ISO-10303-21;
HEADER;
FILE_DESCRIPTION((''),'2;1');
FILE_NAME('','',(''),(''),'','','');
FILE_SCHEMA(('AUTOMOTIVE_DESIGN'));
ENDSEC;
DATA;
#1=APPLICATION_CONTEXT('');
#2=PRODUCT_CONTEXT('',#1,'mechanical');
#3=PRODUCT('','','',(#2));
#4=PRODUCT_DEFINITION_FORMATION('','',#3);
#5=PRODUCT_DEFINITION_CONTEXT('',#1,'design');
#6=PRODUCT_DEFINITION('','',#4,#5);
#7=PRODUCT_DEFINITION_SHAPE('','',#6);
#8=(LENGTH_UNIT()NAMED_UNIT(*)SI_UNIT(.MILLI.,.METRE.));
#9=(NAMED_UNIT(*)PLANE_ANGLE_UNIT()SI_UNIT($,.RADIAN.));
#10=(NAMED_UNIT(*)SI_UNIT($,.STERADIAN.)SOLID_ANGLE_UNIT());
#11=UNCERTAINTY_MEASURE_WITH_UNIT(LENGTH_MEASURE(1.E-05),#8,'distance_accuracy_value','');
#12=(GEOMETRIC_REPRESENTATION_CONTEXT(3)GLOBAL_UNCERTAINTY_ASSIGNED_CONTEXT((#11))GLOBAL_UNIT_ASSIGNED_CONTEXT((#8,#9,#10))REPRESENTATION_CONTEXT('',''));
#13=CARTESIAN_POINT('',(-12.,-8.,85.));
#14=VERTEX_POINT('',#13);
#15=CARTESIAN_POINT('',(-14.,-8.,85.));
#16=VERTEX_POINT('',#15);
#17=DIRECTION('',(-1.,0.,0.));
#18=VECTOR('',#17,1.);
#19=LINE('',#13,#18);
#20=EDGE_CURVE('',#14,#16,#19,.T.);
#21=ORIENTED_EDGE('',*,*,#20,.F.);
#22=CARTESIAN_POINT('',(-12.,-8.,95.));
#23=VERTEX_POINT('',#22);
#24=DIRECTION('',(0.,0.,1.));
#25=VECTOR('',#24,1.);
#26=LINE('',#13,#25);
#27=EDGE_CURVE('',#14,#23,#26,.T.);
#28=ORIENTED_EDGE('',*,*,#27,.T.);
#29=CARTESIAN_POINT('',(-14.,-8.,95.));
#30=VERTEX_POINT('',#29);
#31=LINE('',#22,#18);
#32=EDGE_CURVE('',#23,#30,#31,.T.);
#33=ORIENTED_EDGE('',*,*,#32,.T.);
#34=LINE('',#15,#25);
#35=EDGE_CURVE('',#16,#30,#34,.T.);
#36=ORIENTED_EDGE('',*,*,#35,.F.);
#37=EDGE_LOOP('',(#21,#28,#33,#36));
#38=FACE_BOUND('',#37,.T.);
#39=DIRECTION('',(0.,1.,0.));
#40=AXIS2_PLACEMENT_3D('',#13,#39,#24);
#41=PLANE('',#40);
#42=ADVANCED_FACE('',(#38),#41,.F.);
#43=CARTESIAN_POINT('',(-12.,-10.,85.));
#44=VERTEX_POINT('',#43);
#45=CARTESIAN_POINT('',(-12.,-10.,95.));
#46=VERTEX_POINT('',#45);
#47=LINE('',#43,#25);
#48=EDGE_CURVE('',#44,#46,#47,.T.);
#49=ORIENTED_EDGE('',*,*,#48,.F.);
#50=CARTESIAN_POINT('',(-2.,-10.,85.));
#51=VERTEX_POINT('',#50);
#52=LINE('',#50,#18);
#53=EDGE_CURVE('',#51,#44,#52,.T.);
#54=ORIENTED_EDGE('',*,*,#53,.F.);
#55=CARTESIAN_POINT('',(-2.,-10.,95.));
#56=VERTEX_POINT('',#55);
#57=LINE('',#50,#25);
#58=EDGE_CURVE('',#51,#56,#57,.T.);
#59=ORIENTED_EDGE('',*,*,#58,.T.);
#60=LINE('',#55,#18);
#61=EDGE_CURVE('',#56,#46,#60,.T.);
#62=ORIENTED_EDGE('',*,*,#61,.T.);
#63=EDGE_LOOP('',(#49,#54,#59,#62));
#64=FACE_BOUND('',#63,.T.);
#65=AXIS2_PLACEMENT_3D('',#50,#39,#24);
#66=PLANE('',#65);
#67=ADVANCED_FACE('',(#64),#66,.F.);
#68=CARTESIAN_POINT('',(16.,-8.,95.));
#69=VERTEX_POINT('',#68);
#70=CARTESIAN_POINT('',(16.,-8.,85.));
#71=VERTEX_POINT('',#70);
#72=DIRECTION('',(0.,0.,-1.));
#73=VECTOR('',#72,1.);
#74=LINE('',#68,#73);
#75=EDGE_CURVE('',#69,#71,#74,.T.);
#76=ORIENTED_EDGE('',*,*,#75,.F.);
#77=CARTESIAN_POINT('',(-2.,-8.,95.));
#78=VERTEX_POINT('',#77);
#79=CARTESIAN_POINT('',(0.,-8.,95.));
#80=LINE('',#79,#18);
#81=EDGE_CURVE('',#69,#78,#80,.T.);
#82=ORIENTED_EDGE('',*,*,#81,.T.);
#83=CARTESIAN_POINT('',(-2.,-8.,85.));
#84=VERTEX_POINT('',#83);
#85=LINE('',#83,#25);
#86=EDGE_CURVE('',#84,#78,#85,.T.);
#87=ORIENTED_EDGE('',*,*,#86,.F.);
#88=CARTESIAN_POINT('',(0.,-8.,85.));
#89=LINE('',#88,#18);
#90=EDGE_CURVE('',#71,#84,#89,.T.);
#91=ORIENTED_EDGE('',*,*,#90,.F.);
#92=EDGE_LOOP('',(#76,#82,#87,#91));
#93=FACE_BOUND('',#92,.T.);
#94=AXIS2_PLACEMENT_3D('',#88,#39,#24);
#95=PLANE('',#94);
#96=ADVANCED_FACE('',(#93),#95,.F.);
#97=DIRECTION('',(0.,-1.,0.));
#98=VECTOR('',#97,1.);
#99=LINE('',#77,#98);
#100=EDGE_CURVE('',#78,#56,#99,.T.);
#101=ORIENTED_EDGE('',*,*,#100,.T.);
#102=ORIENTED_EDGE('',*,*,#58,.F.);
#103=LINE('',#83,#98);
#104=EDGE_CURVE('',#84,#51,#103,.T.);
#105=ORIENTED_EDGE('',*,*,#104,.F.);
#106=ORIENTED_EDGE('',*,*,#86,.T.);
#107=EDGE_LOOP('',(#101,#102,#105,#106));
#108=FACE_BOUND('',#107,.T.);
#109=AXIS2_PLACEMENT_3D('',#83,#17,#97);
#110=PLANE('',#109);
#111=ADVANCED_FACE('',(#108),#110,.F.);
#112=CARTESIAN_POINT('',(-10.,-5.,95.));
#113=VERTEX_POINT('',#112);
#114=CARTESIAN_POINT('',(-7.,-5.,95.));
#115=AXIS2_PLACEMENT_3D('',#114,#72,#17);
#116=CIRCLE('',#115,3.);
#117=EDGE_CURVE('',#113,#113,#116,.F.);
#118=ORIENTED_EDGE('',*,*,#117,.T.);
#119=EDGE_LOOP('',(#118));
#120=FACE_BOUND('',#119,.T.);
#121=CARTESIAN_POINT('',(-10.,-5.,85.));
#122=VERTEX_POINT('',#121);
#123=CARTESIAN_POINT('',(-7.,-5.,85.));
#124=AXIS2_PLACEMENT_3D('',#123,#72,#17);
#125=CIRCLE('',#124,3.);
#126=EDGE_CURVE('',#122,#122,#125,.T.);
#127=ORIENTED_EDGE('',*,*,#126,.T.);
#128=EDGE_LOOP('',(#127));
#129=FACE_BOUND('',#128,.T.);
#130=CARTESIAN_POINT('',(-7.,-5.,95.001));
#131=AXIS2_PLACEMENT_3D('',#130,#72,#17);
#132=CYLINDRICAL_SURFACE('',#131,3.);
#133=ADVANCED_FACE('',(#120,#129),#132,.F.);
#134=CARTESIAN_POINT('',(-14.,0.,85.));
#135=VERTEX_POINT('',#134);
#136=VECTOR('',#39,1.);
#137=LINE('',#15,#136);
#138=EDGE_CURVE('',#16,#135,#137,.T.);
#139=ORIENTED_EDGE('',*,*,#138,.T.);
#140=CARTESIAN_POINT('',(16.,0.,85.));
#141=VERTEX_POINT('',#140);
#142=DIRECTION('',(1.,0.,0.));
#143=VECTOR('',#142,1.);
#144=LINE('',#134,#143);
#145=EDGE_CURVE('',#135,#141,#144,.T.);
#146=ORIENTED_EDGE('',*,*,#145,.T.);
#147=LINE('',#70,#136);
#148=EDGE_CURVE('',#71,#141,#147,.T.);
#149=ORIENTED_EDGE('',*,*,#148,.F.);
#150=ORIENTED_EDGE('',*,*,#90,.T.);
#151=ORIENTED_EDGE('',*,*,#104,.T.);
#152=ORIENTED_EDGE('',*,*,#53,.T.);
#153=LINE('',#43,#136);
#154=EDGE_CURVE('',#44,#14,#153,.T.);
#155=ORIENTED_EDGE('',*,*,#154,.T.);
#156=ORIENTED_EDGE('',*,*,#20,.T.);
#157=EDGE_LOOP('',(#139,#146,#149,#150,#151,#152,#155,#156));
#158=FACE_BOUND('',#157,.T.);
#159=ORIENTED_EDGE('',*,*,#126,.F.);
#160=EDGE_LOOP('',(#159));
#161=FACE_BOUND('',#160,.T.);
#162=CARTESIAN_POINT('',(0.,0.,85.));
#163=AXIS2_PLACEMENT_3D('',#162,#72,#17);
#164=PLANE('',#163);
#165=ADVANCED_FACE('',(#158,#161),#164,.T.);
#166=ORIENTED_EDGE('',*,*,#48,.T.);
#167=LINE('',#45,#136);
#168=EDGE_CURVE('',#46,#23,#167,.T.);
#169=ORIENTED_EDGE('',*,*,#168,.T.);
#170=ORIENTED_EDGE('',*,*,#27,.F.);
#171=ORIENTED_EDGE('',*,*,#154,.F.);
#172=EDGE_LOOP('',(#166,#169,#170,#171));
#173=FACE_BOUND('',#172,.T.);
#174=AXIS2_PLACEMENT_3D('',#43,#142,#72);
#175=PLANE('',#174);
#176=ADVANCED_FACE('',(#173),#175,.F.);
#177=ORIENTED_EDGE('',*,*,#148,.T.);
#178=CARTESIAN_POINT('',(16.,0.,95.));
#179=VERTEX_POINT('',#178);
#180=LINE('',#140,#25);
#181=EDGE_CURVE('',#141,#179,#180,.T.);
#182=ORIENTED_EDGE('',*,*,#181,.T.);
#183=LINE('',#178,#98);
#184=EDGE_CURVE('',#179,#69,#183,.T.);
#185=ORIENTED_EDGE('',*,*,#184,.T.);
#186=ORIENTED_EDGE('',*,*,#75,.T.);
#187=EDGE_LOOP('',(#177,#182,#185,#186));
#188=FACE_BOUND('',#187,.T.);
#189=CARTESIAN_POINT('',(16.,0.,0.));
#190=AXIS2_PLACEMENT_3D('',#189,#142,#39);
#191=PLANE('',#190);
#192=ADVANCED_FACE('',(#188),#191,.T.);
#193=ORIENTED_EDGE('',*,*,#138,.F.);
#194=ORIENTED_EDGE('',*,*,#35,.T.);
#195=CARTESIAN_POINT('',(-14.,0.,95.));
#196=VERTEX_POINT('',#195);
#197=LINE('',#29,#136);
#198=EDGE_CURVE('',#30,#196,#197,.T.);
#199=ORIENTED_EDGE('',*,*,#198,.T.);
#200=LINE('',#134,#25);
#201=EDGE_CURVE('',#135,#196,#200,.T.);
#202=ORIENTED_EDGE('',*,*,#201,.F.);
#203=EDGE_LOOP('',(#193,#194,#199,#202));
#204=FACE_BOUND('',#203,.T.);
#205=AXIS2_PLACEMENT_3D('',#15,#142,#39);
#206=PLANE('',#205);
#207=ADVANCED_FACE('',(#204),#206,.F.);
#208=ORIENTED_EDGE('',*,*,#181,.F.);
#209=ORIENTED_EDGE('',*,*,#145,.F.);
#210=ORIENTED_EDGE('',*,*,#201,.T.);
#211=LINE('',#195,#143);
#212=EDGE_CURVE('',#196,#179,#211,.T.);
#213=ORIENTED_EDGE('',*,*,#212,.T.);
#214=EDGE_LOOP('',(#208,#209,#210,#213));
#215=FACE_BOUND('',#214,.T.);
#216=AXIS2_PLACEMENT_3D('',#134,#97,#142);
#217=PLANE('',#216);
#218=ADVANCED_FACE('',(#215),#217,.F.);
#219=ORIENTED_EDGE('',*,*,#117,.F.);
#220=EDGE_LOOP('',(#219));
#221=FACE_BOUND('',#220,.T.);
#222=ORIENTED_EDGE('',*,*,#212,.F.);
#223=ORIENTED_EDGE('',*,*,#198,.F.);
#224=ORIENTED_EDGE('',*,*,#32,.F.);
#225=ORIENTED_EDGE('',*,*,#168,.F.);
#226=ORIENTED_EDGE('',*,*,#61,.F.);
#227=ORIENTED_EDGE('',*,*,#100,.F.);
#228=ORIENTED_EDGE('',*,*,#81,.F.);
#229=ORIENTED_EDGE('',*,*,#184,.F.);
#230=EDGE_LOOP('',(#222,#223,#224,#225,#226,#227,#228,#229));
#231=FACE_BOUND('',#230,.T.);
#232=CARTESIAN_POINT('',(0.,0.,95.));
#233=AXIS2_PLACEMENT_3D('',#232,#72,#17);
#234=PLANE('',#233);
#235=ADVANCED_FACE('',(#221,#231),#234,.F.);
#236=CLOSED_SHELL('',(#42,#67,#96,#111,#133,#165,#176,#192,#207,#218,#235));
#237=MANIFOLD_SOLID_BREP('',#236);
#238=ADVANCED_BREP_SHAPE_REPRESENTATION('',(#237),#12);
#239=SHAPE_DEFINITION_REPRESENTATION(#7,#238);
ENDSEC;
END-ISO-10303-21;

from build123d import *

# Parameters (mm, degrees)
EXTRUDE_1_DEPTH     = 10
CUT_EXTRUDE_1_REACH = 21.9
SKETCH_3_R          = 3
SKETCH_4_W          = 10
SKETCH_4_H          = 8
EXTRUDE_2_DEPTH     = 16


with BuildPart() as part:
    # 草图2 → 凸台-拉伸1 (new body)
    with BuildSketch(Plane(origin=(0, 0, 95), x_dir=(-1, 0, 0), z_dir=(0, 0, -1))):
        Polygon((2, -10), (12, -10), (12, -8), (14, -8), (14, 0), (0, 0), (0, -8), (2, -8), align=None)
    extrude(amount=EXTRUDE_1_DEPTH)

    # 草图3 → 切除-拉伸1 (cut, up to next)
    with BuildSketch(Plane(origin=(0, 0, 85), x_dir=(-1, 0, 0), z_dir=(0, 0, -1)), mode=Mode.PRIVATE) as cut_extrude_1_sk1:
        with Locations((7, -5)):
            Circle(SKETCH_3_R)
    cut_extrude_1_tool1 = extrude(cut_extrude_1_sk1.sketch, amount=-CUT_EXTRUDE_1_REACH, mode=Mode.PRIVATE) & part.part
    add(cut_extrude_1_tool1.solids().sort_by_distance((-7, -5, 85))[0], mode=Mode.SUBTRACT)

    # 草图4 → 凸台-拉伸2 (add)
    with BuildSketch(Plane(origin=(0, 0, 0), x_dir=(0, 0, -1), z_dir=(1, 0, 0))):
        with Locations((-90, -4)):
            Rectangle(SKETCH_4_W, SKETCH_4_H)
    extrude(amount=EXTRUDE_2_DEPTH)


solid = part.part
